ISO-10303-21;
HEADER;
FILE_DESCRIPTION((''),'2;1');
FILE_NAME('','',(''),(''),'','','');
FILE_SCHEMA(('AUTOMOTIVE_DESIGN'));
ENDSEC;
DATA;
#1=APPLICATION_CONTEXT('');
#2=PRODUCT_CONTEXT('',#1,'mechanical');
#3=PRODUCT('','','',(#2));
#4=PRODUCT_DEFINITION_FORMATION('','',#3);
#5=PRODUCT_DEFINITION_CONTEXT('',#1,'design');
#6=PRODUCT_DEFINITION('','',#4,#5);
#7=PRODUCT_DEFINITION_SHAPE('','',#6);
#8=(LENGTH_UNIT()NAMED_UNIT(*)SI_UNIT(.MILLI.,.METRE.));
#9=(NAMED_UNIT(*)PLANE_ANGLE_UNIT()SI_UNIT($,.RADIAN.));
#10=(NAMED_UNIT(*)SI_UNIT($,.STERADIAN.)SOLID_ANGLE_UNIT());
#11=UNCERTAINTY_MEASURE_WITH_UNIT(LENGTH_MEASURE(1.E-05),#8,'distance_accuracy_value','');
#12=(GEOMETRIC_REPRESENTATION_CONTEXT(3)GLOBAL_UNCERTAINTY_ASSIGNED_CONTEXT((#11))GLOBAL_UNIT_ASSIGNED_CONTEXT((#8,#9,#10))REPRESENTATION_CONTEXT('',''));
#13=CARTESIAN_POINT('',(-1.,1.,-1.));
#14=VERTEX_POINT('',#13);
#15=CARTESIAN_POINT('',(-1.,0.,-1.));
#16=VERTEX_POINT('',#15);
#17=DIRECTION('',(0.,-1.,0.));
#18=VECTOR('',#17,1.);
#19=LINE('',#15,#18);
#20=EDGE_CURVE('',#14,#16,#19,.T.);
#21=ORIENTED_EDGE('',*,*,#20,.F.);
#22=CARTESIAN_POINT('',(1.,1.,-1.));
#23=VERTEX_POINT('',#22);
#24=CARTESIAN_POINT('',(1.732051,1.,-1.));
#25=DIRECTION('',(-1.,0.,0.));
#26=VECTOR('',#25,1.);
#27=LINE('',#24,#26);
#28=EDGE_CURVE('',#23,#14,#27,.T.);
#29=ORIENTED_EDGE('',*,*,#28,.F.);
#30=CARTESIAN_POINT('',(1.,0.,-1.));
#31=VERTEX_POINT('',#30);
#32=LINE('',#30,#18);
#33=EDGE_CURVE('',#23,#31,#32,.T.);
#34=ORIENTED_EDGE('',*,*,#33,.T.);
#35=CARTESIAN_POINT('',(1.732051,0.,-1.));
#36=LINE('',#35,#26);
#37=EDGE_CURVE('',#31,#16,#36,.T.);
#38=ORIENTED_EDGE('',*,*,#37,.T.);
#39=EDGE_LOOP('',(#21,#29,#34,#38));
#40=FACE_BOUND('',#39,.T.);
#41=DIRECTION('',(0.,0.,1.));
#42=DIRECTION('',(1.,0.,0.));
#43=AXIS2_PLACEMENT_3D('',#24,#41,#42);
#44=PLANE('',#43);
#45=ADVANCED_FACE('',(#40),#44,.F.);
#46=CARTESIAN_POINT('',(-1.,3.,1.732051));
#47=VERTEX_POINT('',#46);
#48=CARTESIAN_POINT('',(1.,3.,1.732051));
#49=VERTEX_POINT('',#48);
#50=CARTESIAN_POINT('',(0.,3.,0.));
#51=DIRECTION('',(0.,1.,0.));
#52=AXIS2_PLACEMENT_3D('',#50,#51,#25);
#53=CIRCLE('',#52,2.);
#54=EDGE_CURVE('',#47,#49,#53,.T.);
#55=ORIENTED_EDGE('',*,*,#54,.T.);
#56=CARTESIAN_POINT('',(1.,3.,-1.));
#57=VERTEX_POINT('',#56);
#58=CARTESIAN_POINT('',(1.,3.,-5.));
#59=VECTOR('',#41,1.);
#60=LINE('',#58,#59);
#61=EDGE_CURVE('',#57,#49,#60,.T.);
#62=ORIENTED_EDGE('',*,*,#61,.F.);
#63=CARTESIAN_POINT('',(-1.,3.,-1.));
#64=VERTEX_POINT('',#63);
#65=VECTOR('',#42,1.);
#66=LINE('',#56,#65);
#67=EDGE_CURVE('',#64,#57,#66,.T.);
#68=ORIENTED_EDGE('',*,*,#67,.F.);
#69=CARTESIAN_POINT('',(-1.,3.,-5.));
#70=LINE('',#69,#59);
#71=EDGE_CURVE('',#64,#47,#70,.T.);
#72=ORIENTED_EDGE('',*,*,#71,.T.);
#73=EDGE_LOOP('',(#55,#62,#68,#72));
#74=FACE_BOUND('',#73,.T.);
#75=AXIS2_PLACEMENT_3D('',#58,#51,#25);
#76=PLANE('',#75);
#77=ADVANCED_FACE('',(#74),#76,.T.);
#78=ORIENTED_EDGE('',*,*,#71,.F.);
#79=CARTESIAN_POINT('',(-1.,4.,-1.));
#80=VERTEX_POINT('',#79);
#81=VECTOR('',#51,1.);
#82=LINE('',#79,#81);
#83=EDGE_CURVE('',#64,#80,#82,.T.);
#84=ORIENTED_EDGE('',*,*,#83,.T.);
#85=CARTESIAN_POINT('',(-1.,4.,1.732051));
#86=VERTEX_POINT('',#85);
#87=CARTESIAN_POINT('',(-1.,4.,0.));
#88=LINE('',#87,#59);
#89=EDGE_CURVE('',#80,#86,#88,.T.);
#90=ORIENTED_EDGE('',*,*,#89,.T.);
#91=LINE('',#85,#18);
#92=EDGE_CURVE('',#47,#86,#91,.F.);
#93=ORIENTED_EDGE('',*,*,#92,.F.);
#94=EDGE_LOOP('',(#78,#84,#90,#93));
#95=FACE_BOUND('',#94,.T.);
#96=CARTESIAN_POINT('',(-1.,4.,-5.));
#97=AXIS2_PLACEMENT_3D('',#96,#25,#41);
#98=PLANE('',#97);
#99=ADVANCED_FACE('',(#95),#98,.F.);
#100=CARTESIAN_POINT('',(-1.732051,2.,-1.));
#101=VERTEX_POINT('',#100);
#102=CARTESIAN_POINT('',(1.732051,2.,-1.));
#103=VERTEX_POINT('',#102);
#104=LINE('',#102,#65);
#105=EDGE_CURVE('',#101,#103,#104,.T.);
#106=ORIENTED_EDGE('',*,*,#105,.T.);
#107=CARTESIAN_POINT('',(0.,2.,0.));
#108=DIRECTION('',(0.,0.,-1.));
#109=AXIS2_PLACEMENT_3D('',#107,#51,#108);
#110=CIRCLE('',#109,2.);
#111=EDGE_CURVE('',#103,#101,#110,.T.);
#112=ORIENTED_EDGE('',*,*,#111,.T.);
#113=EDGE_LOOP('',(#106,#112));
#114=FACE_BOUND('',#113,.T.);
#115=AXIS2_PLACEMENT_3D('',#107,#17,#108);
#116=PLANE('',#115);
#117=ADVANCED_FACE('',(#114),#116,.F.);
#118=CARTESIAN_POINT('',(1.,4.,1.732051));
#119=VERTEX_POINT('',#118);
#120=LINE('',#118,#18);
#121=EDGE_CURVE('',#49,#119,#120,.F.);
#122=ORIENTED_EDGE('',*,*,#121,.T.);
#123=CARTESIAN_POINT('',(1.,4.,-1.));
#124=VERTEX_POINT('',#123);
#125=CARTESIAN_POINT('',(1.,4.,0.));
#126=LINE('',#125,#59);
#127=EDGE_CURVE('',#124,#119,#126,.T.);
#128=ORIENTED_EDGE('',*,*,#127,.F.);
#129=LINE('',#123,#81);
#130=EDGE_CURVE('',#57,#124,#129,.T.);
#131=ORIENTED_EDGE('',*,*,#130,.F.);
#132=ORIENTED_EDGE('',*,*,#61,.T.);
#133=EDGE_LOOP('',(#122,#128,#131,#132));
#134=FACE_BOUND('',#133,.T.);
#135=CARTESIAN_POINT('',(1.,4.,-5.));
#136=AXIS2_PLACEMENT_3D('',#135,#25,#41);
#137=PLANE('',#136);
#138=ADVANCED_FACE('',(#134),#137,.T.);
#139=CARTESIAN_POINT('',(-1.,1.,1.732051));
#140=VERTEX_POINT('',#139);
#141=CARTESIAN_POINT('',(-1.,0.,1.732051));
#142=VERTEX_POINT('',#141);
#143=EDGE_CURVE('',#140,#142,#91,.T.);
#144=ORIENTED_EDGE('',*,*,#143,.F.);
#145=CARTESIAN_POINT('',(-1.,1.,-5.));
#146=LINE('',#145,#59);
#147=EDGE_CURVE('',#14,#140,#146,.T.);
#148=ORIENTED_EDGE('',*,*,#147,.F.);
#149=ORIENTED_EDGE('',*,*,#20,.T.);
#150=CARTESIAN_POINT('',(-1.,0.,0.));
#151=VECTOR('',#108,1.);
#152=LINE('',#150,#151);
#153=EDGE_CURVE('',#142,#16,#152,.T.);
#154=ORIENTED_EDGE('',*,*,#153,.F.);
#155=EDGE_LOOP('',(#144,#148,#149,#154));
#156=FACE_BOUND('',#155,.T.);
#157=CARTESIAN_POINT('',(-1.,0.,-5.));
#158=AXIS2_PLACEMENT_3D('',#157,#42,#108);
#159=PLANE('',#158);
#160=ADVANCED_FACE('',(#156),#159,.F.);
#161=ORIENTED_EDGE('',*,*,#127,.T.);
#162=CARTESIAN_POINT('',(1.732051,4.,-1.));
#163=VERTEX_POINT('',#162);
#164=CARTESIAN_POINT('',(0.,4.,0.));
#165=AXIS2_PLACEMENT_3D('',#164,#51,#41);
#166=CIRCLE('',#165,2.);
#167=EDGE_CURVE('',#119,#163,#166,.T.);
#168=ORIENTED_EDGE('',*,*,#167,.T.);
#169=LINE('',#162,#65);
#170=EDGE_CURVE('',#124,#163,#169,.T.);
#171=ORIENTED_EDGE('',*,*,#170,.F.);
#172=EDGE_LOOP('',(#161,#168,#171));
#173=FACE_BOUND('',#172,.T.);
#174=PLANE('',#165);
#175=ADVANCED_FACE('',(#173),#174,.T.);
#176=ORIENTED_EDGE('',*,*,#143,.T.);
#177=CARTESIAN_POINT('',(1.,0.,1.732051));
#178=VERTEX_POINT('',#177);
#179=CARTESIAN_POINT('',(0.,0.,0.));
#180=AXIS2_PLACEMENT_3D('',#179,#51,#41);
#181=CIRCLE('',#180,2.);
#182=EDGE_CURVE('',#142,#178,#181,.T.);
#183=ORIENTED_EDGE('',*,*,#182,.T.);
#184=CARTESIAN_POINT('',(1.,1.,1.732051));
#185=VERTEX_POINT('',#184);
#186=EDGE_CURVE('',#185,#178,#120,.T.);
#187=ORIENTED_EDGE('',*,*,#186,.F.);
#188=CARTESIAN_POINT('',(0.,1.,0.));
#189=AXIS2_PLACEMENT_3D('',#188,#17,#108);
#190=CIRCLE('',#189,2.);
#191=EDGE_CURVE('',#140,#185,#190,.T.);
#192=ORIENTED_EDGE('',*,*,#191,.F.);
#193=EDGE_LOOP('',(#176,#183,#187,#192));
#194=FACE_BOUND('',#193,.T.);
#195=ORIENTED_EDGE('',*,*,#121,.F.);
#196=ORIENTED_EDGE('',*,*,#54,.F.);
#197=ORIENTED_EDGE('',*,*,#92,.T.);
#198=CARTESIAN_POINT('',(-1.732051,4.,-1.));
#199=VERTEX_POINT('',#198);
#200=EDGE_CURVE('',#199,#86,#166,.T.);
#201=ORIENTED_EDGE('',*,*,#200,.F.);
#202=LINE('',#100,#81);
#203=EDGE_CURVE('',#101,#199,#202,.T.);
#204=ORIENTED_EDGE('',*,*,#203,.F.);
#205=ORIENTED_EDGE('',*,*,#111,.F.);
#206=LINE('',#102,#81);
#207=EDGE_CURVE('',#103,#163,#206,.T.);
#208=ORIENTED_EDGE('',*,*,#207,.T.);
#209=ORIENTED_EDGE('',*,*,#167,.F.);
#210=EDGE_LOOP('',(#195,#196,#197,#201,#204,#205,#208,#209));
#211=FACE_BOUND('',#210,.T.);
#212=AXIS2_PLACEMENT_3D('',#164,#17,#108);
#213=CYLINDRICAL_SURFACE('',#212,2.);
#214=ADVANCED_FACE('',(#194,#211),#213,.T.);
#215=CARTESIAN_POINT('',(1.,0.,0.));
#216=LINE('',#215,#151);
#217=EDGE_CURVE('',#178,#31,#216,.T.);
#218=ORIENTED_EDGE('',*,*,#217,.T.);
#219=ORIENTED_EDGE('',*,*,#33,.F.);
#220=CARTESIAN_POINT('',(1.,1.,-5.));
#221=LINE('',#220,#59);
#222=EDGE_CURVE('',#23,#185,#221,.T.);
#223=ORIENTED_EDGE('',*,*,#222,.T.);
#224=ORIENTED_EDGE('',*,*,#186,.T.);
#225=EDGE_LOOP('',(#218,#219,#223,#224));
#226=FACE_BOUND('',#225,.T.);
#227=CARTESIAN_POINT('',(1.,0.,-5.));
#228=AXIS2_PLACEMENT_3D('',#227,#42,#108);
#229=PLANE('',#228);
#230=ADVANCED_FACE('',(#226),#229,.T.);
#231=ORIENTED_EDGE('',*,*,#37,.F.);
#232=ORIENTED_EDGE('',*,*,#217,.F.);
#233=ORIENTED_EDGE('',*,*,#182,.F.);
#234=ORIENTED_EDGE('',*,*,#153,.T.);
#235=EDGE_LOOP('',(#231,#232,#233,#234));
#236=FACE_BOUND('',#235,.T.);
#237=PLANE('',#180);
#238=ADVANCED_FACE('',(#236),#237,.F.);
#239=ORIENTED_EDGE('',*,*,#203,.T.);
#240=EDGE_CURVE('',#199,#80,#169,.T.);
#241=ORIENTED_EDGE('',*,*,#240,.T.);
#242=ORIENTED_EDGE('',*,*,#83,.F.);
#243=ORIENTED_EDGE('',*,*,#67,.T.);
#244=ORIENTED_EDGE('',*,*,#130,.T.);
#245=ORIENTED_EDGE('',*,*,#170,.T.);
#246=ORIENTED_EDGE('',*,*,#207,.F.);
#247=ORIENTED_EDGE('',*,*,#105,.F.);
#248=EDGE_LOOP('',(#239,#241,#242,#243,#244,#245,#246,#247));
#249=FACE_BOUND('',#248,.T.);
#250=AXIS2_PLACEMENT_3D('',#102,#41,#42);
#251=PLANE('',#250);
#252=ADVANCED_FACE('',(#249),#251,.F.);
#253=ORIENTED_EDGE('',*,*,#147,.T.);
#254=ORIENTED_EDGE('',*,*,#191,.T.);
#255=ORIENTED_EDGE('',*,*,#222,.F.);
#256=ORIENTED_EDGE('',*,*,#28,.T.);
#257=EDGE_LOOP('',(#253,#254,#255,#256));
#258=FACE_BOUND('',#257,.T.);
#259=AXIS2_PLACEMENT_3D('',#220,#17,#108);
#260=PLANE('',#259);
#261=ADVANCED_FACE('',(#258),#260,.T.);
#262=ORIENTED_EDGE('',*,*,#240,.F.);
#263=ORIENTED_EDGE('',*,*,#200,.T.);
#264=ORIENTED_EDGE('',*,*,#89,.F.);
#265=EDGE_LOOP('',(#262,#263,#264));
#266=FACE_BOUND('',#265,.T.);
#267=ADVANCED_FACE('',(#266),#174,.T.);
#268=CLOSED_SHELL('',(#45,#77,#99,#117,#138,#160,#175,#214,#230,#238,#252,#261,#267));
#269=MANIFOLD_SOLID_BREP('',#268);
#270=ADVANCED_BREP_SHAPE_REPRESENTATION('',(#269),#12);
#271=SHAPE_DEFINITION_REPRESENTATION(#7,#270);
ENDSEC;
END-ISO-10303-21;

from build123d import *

# Parameters (mm, degrees)
SKETCH1_R           = 2
BOSS_EXTRUDE1_DEPTH = 4
SKETCH2_W           = 1
SKETCH2_H           = 1
SKETCH2_W_2         = 2
CUT_EXTRUDE1_DEPTH  = 5
CUT_EXTRUDE2_DEPTH  = 2
CUT_EXTRUDE3_DEPTH  = 1


with BuildPart() as part:
    # Sketch1 → Boss-Extrude1 (new body)
    with BuildSketch(Plane(origin=(0, 0, 0), x_dir=(1, 0, 0), z_dir=(0, 1, 0))):
        Circle(SKETCH1_R)
    extrude(amount=BOSS_EXTRUDE1_DEPTH)

    # Sketch2 → Cut-Extrude1 (cut, symmetric)
    with BuildSketch(Plane.XY):
        with Locations((-1.5, 0.5)):
            Rectangle(SKETCH2_W, SKETCH2_H)
        with Locations((1.5, 0.5)):
            Rectangle(SKETCH2_W, SKETCH2_H)
        with Locations((0, 3.5)):
            Rectangle(SKETCH2_W_2, SKETCH2_H)
    extrude(amount=CUT_EXTRUDE1_DEPTH, both=True, mode=Mode.SUBTRACT)

    # Sketch3 → Cut-Extrude2 (cut)
    with BuildSketch(Plane(origin=(0, 4, 0), x_dir=(1, 0, 0), z_dir=(0, 1, 0))):
        with BuildLine():
            Line((1.732050808, 1), (-1.732050808, 1))
            ThreePointArc((-1.732050808, 1), (0, 2), (1.732050808, 1))
        make_face()
    extrude(amount=-CUT_EXTRUDE2_DEPTH, mode=Mode.SUBTRACT)

    # Sketch4 → Cut-Extrude3 (cut)
    with BuildSketch(Plane.XZ):
        with BuildLine():
            Line((1.732050808, -1), (-1.732050808, -1))
            ThreePointArc((-1.732050808, -1), (0, -2), (1.732050808, -1))
        make_face()
    extrude(amount=-CUT_EXTRUDE3_DEPTH, mode=Mode.SUBTRACT)


solid = part.part
